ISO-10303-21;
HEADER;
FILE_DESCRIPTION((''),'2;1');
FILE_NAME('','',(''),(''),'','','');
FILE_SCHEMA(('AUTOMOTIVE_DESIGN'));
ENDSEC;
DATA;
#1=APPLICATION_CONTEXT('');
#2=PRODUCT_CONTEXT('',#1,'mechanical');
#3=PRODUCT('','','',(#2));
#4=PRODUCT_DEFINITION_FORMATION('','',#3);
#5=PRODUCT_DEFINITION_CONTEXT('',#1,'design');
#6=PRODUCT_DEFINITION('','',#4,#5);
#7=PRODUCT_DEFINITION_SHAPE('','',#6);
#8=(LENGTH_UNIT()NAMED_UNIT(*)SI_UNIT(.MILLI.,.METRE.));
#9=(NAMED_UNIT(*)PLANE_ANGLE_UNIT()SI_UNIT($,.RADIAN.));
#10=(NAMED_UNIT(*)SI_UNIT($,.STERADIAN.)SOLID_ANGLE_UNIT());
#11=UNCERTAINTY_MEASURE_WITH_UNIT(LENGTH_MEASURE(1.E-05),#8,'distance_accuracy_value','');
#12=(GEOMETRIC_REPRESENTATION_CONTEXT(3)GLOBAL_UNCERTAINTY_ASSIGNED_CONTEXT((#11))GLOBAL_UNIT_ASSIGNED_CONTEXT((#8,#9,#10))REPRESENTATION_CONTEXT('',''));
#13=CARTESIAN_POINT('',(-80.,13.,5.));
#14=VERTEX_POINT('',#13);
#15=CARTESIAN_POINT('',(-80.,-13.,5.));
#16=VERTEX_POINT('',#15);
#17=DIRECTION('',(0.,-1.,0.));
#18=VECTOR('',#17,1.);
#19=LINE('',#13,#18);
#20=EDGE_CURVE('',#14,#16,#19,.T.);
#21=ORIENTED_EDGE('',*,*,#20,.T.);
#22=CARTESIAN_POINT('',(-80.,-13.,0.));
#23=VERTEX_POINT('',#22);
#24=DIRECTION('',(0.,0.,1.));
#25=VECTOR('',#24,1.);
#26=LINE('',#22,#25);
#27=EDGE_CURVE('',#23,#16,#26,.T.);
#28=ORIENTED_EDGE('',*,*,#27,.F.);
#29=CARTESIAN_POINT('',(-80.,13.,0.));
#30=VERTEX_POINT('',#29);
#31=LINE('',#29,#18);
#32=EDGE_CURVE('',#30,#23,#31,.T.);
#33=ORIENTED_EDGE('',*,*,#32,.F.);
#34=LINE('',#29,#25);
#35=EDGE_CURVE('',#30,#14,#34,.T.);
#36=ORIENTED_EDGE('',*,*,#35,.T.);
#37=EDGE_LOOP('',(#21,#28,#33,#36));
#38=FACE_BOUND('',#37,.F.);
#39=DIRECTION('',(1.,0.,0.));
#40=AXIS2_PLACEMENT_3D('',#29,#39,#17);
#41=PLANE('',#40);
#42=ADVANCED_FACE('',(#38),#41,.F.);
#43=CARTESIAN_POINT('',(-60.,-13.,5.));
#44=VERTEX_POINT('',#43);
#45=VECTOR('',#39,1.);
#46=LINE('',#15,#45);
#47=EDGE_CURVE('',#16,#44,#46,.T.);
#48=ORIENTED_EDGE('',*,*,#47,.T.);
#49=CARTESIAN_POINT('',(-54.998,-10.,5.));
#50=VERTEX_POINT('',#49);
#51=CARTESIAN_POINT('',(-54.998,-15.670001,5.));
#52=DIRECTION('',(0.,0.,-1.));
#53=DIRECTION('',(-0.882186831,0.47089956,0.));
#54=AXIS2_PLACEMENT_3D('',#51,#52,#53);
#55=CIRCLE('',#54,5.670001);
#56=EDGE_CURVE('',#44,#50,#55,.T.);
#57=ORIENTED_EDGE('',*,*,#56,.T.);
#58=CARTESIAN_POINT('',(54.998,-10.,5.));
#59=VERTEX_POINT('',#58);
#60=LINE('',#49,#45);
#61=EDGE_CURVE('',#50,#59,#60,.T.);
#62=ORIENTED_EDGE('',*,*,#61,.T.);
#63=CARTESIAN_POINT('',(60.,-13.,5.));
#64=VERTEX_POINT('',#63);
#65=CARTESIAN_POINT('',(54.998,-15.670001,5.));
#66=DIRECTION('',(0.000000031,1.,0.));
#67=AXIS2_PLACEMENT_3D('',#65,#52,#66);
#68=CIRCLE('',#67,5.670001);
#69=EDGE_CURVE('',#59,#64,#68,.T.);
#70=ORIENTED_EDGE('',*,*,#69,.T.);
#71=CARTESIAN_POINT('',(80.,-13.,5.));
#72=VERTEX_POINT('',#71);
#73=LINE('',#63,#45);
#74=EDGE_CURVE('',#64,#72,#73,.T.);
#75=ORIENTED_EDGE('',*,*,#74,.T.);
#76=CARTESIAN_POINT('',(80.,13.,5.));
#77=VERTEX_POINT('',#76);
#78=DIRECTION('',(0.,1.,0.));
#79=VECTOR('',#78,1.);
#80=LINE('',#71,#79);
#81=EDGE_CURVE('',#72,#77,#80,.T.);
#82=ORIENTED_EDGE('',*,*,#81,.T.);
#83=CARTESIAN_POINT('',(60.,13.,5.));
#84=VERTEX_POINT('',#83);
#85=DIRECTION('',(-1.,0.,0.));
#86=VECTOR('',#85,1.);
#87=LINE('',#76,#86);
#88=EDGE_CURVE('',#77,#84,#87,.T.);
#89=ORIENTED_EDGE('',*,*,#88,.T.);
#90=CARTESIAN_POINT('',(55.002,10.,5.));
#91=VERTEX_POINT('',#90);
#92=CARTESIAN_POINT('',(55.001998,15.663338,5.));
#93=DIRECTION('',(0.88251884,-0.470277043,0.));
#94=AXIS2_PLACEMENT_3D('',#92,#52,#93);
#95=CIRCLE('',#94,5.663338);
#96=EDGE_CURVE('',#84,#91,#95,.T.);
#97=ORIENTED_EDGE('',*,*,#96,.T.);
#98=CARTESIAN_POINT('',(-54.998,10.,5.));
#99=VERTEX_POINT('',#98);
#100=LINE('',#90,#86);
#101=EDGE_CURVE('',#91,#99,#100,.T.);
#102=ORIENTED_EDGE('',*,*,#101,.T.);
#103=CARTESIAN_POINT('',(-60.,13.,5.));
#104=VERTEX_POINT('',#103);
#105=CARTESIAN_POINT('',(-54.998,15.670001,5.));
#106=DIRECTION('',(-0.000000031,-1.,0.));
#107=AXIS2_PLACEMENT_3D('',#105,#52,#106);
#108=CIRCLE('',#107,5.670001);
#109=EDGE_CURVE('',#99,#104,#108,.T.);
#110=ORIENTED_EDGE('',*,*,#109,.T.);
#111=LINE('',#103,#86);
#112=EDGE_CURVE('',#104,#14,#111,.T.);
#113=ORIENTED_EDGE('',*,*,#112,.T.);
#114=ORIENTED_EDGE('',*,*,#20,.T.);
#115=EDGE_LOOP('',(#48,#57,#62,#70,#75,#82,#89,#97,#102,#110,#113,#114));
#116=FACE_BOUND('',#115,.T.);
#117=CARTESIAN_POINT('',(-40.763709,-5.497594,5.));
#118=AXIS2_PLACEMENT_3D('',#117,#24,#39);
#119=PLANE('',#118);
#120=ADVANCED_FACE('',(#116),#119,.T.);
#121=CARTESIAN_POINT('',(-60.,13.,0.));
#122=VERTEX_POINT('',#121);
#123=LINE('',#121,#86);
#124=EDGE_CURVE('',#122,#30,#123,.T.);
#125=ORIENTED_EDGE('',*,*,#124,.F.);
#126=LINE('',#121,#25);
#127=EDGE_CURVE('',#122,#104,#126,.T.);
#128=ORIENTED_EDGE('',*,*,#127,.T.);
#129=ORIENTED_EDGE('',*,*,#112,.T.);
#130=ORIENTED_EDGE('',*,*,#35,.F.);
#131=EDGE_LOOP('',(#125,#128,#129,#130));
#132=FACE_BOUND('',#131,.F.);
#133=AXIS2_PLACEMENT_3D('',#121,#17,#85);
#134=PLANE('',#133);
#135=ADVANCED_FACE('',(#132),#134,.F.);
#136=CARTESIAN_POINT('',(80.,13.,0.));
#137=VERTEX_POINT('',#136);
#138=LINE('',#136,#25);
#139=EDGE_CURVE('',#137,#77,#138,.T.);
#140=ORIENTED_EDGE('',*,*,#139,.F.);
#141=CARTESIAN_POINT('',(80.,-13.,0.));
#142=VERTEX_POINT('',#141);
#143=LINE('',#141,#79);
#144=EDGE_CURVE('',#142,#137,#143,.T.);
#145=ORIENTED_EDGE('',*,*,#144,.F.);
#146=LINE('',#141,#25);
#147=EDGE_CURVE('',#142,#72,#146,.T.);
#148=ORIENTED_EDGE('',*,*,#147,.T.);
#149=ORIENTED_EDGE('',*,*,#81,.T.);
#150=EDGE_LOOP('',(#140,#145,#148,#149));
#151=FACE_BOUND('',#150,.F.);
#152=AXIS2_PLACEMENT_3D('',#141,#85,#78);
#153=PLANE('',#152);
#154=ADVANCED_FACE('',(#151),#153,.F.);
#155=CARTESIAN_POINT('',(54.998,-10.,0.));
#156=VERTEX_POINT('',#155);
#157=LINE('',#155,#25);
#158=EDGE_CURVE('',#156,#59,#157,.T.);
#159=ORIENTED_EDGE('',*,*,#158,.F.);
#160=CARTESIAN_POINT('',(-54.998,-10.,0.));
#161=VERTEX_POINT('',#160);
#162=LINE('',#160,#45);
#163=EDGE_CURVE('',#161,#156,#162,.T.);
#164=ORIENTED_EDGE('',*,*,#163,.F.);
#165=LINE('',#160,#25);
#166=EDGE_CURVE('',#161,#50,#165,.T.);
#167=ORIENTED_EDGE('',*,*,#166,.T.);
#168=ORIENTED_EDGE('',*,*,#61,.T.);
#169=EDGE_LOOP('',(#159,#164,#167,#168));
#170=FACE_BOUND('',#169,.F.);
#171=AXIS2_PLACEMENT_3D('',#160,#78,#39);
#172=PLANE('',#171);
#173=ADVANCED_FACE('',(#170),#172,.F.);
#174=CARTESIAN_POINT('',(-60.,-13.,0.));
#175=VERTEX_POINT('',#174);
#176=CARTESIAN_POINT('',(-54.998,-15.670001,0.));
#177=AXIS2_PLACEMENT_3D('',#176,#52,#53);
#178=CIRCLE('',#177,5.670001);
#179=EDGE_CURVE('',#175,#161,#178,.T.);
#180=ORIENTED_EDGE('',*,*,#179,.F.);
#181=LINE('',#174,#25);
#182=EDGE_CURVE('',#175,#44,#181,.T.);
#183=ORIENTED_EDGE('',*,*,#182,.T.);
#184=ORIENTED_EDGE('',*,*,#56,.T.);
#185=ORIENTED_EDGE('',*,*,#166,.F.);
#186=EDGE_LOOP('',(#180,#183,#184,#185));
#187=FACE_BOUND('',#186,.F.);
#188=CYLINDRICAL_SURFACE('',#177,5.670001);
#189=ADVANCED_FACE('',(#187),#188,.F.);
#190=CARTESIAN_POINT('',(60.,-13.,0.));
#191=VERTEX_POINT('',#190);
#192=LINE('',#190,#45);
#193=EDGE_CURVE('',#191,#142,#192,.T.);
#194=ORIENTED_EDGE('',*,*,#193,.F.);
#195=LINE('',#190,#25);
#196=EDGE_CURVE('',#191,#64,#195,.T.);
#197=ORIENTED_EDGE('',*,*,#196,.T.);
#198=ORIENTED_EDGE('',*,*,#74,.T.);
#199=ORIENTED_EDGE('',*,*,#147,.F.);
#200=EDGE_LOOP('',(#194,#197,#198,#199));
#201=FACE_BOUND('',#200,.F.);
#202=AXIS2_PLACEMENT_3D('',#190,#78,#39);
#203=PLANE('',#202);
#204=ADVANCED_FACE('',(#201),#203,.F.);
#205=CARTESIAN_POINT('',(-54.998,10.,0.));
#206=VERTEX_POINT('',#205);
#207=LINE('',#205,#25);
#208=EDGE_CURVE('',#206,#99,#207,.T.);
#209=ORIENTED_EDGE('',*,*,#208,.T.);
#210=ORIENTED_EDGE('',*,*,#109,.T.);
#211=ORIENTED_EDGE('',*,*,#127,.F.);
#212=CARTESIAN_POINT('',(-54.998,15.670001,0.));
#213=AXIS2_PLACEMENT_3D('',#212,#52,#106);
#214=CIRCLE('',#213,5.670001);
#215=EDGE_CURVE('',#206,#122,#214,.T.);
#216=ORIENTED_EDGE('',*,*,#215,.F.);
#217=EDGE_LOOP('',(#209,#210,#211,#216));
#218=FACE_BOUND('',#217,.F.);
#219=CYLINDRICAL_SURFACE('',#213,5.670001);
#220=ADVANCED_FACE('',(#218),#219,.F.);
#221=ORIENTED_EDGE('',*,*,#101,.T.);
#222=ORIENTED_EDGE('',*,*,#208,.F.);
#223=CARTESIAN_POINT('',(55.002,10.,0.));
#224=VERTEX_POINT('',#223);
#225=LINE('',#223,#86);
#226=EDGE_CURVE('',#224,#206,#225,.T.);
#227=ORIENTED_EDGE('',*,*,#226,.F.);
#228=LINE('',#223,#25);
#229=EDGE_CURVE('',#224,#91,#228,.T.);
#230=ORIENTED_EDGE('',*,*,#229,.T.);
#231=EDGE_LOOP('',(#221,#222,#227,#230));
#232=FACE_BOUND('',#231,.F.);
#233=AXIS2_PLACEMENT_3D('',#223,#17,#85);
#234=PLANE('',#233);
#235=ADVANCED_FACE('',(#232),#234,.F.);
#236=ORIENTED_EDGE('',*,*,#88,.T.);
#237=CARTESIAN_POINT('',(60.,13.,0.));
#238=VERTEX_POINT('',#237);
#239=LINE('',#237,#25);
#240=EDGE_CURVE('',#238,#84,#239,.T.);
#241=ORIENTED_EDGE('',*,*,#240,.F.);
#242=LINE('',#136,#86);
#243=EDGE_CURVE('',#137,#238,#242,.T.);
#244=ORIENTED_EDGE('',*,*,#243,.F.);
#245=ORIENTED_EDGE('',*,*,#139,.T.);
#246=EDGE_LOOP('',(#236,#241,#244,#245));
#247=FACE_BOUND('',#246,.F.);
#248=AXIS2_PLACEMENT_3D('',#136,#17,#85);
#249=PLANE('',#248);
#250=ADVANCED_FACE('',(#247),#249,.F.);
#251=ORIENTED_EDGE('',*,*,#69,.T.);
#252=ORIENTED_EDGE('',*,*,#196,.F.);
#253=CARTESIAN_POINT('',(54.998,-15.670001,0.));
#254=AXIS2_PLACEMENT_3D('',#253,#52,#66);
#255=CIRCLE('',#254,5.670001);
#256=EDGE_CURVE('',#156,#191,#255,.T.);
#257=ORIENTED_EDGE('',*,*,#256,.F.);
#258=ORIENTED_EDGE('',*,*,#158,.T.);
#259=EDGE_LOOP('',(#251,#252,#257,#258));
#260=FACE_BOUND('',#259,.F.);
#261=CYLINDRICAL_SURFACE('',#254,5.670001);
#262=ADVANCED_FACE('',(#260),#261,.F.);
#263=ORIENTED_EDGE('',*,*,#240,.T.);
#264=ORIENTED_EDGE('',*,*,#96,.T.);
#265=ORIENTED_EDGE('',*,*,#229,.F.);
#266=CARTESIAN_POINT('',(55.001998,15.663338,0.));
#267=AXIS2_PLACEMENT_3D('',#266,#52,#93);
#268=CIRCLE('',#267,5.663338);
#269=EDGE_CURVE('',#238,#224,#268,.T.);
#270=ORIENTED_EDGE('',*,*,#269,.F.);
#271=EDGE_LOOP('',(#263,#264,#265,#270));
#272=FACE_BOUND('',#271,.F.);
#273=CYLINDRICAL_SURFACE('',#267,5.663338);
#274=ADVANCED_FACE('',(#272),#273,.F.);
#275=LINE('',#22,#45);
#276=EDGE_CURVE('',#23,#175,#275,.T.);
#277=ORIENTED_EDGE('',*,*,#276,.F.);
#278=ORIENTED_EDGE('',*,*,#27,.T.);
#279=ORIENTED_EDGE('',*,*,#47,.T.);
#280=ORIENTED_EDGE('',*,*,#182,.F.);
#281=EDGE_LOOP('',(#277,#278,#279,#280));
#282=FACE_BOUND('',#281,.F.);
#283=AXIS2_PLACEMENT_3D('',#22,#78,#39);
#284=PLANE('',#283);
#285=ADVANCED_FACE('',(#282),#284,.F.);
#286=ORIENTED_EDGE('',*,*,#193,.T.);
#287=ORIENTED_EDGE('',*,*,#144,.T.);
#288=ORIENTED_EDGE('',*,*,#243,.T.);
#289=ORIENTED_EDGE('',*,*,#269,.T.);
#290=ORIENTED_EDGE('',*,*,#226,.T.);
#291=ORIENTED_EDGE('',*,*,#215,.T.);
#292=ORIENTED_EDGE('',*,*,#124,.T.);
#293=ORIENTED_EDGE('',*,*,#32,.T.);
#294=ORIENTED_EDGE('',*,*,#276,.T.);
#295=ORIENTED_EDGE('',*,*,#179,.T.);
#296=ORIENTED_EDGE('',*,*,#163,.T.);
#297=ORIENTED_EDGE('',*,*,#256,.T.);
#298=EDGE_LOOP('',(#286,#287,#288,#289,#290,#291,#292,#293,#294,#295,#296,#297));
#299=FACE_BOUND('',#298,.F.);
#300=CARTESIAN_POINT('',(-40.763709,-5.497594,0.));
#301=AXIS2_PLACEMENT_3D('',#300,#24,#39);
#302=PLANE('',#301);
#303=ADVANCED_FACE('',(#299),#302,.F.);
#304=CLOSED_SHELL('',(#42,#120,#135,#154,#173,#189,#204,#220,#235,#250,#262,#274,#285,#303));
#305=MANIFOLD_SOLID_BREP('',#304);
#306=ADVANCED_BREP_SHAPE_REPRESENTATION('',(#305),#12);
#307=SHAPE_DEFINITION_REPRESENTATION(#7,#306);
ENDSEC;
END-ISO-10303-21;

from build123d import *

# Parameters (mm, degrees)
F1_DEPTH = 5


with BuildPart() as f1:
    # F0 (on Top) → F1 (new body)
    with BuildSketch(Plane.XY):
        with BuildLine():
            Line((-54.998, -10), (0, -10))
            Line((0, -10), (0, 0))
            Line((0, 0), (-80, 0))
            Line((-80, 0), (-80, -13))
            Line((-80, -13), (-60, -13))
            ThreePointArc((-60, -13), (-57.914334, -10.807501), (-54.998, -10))
        make_face()
        with BuildLine():
            ThreePointArc((54.998, -10), (57.914334, -10.807501), (60, -13))
            Line((60, -13), (80, -13))
            Line((80, -13), (80, 0))
            Line((80, 0), (0, 0))
            Line((0, 0), (0, -10))
            Line((0, -10), (54.998, -10))
        make_face()
        with BuildLine():
            Line((-80, 0), (0, 0))
            Line((0, 0), (0, 10))
            Line((0, 10), (-54.998, 10))
            ThreePointArc((-54.998, 10), (-57.914334, 10.807501), (-60, 13))
            Line((-60, 13), (-80, 13))
            Line((-80, 13), (-80, 0))
        make_face()
        with BuildLine():
            Line((0, 0), (80, 0))
            Line((80, 0), (80, 13))
            Line((80, 13), (60, 13))
            ThreePointArc((60, 13), (57.916618, 10.80758), (55.002, 10))
            Line((55.002, 10), (0, 10))
            Line((0, 10), (0, 0))
        make_face()
    extrude(amount=F1_DEPTH)


solid = f1.part
